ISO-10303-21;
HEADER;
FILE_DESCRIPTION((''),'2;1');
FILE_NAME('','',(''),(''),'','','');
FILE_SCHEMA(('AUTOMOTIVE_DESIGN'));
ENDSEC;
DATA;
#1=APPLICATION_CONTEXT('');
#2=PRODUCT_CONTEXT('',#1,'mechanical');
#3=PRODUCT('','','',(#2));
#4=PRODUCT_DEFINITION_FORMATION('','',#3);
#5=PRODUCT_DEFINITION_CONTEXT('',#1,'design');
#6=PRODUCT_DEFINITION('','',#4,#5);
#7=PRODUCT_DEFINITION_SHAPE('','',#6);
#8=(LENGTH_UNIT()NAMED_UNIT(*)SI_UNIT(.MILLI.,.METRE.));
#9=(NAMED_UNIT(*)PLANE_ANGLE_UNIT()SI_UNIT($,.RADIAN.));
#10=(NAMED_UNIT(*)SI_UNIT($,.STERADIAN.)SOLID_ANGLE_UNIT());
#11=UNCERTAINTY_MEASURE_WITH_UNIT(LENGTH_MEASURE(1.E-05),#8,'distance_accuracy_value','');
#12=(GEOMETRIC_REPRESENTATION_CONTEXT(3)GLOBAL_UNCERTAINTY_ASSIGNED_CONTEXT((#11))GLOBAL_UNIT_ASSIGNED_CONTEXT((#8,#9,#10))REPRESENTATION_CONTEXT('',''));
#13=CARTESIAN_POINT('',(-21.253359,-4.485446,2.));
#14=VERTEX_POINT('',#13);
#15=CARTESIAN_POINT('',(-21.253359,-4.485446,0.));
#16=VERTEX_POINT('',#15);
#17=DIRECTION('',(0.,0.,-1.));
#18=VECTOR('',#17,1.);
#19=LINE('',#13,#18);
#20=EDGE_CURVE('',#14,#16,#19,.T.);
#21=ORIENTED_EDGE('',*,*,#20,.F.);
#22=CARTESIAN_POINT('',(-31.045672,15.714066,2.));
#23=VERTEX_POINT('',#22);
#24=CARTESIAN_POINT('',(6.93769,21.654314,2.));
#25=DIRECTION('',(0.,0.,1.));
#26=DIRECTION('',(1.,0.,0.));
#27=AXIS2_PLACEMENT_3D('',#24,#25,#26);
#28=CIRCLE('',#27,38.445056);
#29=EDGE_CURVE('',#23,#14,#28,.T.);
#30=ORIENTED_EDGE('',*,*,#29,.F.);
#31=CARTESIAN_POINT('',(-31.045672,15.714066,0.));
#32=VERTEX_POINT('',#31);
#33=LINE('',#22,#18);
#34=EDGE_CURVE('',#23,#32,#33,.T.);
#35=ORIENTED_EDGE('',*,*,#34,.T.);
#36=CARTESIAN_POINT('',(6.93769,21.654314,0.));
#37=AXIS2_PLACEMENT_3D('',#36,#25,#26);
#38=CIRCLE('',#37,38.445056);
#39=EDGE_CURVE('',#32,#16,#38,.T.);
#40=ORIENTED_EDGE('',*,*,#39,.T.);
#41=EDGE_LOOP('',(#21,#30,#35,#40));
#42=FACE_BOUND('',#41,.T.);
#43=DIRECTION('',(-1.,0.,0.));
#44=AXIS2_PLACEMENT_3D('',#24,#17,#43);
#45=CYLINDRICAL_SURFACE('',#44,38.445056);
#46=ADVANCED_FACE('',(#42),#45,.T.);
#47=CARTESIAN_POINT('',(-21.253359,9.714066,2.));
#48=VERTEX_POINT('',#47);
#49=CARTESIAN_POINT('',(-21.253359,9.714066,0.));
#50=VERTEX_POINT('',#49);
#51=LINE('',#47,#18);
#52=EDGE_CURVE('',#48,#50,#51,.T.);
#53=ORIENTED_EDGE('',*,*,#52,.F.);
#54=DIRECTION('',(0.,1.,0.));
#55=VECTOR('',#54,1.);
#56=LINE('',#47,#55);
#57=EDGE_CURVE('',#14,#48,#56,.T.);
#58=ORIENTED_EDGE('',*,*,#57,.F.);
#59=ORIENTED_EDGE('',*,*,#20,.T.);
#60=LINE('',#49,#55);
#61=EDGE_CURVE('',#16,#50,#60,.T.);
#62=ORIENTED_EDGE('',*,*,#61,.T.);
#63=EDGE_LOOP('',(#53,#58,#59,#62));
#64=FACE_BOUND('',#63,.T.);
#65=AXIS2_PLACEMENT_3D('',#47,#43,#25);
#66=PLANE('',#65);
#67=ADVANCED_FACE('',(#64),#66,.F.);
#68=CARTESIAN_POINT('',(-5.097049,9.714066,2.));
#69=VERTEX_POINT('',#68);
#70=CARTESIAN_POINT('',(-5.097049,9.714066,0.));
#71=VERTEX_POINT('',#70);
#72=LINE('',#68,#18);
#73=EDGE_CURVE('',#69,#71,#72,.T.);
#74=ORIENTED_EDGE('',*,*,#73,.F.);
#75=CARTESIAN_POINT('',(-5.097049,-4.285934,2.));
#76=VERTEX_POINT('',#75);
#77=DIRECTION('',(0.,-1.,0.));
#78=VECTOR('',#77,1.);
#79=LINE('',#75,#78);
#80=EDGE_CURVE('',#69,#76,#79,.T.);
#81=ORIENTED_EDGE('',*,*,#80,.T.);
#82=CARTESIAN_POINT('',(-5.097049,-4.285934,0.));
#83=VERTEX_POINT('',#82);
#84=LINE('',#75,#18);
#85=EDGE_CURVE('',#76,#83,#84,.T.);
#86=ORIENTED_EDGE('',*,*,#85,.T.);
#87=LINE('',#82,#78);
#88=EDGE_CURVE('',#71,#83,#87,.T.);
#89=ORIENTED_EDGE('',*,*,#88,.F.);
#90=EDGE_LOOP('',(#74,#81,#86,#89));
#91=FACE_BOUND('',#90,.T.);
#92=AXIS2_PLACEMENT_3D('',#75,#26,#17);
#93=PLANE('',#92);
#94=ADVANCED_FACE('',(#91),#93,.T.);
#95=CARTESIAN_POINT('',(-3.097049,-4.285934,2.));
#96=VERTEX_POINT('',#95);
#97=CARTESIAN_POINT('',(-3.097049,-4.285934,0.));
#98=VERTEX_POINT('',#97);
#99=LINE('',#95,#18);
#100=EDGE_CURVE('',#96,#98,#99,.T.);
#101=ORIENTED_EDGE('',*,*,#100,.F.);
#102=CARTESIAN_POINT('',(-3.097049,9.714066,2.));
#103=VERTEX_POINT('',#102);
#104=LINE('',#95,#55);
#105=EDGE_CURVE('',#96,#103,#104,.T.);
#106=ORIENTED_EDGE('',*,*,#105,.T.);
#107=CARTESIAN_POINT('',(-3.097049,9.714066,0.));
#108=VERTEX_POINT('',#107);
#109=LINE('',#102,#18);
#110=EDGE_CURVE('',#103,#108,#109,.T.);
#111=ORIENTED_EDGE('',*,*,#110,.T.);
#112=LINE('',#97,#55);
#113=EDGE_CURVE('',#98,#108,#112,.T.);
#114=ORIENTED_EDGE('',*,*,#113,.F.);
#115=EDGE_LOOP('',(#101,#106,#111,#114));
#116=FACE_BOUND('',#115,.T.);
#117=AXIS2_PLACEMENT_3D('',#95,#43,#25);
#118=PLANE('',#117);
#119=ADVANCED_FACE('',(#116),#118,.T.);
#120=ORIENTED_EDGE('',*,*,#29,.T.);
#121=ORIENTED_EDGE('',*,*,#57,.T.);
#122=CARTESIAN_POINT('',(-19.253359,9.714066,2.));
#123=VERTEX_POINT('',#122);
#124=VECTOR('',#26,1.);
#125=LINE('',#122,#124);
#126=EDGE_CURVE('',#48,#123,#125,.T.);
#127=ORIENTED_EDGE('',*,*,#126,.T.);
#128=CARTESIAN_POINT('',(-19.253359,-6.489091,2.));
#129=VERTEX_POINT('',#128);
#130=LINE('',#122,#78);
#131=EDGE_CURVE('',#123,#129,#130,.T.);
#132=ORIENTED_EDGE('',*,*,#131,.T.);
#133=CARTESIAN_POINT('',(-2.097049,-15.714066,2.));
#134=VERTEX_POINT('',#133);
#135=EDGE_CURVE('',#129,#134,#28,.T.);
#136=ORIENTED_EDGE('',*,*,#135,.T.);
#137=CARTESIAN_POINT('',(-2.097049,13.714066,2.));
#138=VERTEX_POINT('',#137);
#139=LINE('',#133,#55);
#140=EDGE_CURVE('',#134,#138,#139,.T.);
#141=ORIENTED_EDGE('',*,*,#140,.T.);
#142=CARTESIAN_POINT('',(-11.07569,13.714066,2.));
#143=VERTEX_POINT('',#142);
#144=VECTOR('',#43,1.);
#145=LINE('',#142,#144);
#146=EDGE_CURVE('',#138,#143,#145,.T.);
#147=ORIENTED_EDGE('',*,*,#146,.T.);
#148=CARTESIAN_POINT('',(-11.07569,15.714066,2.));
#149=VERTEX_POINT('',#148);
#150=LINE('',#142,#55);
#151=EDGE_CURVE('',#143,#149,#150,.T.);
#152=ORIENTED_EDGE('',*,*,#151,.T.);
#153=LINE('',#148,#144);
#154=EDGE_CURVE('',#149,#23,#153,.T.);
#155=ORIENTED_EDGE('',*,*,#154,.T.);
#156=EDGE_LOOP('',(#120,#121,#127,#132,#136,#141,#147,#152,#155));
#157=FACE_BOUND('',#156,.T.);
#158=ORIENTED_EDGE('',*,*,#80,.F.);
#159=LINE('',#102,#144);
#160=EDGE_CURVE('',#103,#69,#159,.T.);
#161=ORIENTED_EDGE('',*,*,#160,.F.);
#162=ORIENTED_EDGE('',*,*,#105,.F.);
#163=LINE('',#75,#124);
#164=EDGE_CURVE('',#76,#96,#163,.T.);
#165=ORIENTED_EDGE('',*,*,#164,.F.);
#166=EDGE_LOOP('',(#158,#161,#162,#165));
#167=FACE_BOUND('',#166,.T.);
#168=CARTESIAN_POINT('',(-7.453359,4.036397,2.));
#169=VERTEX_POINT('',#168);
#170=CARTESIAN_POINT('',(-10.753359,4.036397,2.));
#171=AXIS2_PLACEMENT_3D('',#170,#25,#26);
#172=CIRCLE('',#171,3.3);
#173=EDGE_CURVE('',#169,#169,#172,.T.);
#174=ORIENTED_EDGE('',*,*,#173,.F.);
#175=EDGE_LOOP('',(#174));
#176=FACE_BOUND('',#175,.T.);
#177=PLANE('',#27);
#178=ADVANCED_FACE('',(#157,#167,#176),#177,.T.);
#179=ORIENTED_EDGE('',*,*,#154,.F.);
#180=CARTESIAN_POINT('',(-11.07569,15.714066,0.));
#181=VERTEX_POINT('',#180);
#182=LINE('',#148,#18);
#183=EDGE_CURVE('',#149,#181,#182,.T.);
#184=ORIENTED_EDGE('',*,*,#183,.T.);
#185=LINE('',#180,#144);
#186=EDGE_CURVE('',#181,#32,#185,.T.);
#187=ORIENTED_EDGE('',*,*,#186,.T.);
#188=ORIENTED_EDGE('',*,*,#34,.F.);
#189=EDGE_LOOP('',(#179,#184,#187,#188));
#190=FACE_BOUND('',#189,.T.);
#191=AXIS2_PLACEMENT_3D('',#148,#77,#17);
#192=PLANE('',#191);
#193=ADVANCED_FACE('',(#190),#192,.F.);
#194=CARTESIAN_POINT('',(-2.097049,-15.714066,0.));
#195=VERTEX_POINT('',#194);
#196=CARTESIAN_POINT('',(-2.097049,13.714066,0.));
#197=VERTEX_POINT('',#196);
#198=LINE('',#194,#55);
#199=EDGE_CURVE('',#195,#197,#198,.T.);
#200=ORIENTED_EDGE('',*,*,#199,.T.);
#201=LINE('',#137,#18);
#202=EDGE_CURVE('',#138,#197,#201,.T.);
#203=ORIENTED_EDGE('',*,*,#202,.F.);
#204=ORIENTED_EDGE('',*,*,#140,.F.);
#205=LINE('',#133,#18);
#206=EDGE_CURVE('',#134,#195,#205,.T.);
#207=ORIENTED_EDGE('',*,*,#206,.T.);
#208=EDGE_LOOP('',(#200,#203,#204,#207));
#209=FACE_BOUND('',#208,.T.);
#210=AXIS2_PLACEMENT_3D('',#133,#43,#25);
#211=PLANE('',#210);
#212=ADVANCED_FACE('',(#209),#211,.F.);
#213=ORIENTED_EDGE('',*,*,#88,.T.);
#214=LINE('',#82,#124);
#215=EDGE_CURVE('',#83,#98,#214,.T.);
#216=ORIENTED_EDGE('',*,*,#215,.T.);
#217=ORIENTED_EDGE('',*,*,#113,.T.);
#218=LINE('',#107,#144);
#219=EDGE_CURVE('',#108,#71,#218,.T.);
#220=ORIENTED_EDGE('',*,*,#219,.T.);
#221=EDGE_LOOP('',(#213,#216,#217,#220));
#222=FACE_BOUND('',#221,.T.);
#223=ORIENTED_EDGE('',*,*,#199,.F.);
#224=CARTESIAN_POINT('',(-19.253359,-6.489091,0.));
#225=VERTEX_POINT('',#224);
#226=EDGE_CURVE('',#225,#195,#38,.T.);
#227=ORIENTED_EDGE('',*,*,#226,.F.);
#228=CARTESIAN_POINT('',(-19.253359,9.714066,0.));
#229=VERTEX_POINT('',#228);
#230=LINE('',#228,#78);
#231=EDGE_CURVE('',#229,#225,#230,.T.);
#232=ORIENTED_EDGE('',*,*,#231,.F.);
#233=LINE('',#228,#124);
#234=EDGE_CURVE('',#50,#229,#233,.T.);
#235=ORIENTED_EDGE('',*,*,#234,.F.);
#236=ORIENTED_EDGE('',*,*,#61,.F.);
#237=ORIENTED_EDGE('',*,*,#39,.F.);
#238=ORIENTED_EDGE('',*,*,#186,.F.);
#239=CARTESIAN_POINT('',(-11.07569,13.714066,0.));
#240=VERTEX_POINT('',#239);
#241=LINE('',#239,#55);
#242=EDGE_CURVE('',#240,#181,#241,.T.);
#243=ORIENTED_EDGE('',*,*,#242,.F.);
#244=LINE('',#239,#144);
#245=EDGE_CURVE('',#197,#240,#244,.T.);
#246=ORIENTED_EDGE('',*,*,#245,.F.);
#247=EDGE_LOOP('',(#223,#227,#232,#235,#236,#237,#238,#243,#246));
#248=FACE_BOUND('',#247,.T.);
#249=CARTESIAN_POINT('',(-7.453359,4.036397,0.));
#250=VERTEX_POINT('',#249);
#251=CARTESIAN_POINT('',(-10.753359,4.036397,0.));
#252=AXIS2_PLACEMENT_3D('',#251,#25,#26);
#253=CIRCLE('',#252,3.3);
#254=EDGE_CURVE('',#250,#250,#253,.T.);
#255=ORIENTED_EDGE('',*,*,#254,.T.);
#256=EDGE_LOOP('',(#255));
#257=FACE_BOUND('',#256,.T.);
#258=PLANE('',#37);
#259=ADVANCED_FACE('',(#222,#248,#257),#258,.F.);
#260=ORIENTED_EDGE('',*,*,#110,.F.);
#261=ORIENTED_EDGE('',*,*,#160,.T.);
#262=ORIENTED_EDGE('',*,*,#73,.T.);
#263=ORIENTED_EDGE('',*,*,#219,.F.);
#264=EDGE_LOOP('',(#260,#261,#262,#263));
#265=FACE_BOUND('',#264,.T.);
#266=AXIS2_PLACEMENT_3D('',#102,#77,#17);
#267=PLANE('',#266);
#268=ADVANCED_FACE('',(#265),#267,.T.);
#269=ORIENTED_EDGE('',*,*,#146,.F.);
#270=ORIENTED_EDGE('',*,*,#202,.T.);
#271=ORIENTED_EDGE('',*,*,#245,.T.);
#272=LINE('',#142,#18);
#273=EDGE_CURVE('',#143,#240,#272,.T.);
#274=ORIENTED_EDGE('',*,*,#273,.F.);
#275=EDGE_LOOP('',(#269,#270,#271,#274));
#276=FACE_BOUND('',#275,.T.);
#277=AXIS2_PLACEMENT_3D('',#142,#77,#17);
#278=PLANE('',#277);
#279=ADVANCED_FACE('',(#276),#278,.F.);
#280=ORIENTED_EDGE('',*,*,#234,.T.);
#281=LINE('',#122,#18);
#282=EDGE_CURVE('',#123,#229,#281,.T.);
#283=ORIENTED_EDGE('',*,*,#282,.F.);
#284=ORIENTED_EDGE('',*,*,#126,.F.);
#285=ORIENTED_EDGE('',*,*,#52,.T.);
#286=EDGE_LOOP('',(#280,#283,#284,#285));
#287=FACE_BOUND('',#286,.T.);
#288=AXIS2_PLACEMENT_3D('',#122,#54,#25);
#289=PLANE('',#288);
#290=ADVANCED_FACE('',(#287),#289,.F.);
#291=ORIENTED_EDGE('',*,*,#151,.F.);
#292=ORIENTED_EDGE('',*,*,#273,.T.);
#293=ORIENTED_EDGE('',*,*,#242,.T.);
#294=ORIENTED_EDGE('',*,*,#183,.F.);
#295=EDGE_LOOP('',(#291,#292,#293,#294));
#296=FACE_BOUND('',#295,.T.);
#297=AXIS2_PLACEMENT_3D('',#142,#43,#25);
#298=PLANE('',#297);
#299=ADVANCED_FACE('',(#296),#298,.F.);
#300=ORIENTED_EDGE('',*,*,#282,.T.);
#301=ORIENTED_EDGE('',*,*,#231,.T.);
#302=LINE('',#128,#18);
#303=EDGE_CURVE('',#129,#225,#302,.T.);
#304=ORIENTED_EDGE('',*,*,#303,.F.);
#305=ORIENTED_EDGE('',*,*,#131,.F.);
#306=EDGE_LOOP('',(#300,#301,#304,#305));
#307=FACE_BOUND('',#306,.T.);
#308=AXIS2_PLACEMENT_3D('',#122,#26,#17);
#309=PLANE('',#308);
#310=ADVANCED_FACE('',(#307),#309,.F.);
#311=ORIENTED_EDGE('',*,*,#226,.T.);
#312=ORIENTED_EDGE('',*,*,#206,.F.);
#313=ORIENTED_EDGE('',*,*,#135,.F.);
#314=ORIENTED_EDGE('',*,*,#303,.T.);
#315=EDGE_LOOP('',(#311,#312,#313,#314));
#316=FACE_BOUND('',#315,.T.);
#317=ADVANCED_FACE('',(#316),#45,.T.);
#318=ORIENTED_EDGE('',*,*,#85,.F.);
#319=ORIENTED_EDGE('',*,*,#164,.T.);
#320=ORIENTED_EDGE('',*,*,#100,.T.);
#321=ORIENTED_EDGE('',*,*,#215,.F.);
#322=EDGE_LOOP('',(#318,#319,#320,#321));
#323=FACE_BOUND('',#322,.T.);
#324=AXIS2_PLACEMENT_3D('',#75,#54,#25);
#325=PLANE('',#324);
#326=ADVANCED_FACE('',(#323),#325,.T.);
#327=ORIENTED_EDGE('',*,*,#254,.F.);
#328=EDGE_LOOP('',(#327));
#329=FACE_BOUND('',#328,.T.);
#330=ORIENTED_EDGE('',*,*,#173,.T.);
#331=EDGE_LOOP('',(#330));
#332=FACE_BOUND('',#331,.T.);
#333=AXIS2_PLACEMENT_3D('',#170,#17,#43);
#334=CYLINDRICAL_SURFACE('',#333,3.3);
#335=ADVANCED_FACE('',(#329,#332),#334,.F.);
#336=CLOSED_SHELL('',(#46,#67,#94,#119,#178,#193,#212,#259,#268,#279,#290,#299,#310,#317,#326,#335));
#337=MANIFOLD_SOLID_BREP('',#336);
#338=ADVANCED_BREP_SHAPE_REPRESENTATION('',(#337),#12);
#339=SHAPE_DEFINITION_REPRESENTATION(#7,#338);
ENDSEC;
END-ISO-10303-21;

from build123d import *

# Parameters (mm, degrees)
SKETCH1_R           = 3.3
SKETCH1_W           = 2
SKETCH1_H           = 14
BOSS_EXTRUDE1_DEPTH = 2


with BuildPart() as part:
    # Sketch1 → Boss-Extrude1 (new body)
    with BuildSketch(Plane.XY):
        with BuildLine():
            Line((-19.253359056, 9.714066104), (-19.253359056, -6.489091482))
            ThreePointArc((-19.253359056, -6.489091482), (-11.269151238, -12.206183048), (-2.097048594, -15.714066104))
            Line((-2.097048594, -15.714066104), (-2.097048594, 13.714066104))
            Line((-2.097048594, 13.714066104), (-11.075689526, 13.714066104))
            Line((-11.075689526, 13.714066104), (-11.075689526, 15.714066104))
            Line((-11.075689526, 15.714066104), (-31.04567167, 15.714066104))
            ThreePointArc((-31.04567167, 15.714066104), (-27.656648188, 4.883682523), (-21.253359056, -4.485446411))
            Line((-21.253359056, -4.485446411), (-21.253359056, 9.714066104))
            Line((-21.253359056, 9.714066104), (-19.253359056, 9.714066104))
        make_face()
        with Locations((-10.753359056, 4.036396574)):
            Circle(SKETCH1_R, mode=Mode.SUBTRACT)
        with Locations((-4.097048594, 2.714066104)):
            Rectangle(SKETCH1_W, SKETCH1_H, mode=Mode.SUBTRACT)
    extrude(amount=BOSS_EXTRUDE1_DEPTH)


solid = part.part
